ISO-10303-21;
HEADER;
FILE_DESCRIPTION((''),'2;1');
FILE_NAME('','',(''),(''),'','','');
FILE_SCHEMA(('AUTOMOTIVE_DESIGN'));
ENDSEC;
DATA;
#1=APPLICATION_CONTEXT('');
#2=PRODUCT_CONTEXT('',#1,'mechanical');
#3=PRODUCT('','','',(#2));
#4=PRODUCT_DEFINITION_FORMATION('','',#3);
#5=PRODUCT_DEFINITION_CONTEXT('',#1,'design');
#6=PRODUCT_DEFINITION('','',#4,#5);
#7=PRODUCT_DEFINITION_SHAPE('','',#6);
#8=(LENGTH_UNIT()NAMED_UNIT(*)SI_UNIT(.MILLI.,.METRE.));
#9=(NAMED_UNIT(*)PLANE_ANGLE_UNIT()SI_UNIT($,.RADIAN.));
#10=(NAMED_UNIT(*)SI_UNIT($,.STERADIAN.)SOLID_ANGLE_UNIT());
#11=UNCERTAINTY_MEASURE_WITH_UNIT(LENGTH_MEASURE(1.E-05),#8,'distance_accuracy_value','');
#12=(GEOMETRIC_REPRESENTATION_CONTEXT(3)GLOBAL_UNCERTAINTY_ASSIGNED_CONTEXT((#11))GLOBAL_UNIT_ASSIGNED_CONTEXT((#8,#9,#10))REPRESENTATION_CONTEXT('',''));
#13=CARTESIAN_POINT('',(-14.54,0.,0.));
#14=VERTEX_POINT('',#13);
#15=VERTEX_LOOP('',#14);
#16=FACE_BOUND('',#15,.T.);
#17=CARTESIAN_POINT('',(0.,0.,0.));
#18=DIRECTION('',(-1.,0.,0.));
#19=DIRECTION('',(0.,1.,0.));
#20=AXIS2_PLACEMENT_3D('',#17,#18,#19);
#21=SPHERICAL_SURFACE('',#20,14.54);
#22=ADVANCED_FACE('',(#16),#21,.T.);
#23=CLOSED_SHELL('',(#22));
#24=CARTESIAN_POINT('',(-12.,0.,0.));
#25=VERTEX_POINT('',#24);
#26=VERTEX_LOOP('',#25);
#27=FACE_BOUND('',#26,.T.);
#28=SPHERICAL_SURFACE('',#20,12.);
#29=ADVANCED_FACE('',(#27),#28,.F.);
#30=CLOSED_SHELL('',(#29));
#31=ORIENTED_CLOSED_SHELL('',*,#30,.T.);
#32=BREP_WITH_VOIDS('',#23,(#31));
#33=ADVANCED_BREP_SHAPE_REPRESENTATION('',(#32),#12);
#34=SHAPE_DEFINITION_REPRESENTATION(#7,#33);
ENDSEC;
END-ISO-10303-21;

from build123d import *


with BuildPart() as part:
    # Sketch1 one side → Revolve-Thin1 (revolve)
    with BuildSketch(Plane.XY):
        with BuildLine():
            Line((-12, 0), (-14.54, 0))
            ThreePointArc((-14.54, 0), (0, -14.54), (14.54, 0))
            Line((14.54, 0), (12, 0))
            ThreePointArc((12, 0), (0, -12), (-12, 0))
        make_face()
    revolve(axis=Axis((-12, 0, 0), (1, 0, 0)))


solid = part.part
